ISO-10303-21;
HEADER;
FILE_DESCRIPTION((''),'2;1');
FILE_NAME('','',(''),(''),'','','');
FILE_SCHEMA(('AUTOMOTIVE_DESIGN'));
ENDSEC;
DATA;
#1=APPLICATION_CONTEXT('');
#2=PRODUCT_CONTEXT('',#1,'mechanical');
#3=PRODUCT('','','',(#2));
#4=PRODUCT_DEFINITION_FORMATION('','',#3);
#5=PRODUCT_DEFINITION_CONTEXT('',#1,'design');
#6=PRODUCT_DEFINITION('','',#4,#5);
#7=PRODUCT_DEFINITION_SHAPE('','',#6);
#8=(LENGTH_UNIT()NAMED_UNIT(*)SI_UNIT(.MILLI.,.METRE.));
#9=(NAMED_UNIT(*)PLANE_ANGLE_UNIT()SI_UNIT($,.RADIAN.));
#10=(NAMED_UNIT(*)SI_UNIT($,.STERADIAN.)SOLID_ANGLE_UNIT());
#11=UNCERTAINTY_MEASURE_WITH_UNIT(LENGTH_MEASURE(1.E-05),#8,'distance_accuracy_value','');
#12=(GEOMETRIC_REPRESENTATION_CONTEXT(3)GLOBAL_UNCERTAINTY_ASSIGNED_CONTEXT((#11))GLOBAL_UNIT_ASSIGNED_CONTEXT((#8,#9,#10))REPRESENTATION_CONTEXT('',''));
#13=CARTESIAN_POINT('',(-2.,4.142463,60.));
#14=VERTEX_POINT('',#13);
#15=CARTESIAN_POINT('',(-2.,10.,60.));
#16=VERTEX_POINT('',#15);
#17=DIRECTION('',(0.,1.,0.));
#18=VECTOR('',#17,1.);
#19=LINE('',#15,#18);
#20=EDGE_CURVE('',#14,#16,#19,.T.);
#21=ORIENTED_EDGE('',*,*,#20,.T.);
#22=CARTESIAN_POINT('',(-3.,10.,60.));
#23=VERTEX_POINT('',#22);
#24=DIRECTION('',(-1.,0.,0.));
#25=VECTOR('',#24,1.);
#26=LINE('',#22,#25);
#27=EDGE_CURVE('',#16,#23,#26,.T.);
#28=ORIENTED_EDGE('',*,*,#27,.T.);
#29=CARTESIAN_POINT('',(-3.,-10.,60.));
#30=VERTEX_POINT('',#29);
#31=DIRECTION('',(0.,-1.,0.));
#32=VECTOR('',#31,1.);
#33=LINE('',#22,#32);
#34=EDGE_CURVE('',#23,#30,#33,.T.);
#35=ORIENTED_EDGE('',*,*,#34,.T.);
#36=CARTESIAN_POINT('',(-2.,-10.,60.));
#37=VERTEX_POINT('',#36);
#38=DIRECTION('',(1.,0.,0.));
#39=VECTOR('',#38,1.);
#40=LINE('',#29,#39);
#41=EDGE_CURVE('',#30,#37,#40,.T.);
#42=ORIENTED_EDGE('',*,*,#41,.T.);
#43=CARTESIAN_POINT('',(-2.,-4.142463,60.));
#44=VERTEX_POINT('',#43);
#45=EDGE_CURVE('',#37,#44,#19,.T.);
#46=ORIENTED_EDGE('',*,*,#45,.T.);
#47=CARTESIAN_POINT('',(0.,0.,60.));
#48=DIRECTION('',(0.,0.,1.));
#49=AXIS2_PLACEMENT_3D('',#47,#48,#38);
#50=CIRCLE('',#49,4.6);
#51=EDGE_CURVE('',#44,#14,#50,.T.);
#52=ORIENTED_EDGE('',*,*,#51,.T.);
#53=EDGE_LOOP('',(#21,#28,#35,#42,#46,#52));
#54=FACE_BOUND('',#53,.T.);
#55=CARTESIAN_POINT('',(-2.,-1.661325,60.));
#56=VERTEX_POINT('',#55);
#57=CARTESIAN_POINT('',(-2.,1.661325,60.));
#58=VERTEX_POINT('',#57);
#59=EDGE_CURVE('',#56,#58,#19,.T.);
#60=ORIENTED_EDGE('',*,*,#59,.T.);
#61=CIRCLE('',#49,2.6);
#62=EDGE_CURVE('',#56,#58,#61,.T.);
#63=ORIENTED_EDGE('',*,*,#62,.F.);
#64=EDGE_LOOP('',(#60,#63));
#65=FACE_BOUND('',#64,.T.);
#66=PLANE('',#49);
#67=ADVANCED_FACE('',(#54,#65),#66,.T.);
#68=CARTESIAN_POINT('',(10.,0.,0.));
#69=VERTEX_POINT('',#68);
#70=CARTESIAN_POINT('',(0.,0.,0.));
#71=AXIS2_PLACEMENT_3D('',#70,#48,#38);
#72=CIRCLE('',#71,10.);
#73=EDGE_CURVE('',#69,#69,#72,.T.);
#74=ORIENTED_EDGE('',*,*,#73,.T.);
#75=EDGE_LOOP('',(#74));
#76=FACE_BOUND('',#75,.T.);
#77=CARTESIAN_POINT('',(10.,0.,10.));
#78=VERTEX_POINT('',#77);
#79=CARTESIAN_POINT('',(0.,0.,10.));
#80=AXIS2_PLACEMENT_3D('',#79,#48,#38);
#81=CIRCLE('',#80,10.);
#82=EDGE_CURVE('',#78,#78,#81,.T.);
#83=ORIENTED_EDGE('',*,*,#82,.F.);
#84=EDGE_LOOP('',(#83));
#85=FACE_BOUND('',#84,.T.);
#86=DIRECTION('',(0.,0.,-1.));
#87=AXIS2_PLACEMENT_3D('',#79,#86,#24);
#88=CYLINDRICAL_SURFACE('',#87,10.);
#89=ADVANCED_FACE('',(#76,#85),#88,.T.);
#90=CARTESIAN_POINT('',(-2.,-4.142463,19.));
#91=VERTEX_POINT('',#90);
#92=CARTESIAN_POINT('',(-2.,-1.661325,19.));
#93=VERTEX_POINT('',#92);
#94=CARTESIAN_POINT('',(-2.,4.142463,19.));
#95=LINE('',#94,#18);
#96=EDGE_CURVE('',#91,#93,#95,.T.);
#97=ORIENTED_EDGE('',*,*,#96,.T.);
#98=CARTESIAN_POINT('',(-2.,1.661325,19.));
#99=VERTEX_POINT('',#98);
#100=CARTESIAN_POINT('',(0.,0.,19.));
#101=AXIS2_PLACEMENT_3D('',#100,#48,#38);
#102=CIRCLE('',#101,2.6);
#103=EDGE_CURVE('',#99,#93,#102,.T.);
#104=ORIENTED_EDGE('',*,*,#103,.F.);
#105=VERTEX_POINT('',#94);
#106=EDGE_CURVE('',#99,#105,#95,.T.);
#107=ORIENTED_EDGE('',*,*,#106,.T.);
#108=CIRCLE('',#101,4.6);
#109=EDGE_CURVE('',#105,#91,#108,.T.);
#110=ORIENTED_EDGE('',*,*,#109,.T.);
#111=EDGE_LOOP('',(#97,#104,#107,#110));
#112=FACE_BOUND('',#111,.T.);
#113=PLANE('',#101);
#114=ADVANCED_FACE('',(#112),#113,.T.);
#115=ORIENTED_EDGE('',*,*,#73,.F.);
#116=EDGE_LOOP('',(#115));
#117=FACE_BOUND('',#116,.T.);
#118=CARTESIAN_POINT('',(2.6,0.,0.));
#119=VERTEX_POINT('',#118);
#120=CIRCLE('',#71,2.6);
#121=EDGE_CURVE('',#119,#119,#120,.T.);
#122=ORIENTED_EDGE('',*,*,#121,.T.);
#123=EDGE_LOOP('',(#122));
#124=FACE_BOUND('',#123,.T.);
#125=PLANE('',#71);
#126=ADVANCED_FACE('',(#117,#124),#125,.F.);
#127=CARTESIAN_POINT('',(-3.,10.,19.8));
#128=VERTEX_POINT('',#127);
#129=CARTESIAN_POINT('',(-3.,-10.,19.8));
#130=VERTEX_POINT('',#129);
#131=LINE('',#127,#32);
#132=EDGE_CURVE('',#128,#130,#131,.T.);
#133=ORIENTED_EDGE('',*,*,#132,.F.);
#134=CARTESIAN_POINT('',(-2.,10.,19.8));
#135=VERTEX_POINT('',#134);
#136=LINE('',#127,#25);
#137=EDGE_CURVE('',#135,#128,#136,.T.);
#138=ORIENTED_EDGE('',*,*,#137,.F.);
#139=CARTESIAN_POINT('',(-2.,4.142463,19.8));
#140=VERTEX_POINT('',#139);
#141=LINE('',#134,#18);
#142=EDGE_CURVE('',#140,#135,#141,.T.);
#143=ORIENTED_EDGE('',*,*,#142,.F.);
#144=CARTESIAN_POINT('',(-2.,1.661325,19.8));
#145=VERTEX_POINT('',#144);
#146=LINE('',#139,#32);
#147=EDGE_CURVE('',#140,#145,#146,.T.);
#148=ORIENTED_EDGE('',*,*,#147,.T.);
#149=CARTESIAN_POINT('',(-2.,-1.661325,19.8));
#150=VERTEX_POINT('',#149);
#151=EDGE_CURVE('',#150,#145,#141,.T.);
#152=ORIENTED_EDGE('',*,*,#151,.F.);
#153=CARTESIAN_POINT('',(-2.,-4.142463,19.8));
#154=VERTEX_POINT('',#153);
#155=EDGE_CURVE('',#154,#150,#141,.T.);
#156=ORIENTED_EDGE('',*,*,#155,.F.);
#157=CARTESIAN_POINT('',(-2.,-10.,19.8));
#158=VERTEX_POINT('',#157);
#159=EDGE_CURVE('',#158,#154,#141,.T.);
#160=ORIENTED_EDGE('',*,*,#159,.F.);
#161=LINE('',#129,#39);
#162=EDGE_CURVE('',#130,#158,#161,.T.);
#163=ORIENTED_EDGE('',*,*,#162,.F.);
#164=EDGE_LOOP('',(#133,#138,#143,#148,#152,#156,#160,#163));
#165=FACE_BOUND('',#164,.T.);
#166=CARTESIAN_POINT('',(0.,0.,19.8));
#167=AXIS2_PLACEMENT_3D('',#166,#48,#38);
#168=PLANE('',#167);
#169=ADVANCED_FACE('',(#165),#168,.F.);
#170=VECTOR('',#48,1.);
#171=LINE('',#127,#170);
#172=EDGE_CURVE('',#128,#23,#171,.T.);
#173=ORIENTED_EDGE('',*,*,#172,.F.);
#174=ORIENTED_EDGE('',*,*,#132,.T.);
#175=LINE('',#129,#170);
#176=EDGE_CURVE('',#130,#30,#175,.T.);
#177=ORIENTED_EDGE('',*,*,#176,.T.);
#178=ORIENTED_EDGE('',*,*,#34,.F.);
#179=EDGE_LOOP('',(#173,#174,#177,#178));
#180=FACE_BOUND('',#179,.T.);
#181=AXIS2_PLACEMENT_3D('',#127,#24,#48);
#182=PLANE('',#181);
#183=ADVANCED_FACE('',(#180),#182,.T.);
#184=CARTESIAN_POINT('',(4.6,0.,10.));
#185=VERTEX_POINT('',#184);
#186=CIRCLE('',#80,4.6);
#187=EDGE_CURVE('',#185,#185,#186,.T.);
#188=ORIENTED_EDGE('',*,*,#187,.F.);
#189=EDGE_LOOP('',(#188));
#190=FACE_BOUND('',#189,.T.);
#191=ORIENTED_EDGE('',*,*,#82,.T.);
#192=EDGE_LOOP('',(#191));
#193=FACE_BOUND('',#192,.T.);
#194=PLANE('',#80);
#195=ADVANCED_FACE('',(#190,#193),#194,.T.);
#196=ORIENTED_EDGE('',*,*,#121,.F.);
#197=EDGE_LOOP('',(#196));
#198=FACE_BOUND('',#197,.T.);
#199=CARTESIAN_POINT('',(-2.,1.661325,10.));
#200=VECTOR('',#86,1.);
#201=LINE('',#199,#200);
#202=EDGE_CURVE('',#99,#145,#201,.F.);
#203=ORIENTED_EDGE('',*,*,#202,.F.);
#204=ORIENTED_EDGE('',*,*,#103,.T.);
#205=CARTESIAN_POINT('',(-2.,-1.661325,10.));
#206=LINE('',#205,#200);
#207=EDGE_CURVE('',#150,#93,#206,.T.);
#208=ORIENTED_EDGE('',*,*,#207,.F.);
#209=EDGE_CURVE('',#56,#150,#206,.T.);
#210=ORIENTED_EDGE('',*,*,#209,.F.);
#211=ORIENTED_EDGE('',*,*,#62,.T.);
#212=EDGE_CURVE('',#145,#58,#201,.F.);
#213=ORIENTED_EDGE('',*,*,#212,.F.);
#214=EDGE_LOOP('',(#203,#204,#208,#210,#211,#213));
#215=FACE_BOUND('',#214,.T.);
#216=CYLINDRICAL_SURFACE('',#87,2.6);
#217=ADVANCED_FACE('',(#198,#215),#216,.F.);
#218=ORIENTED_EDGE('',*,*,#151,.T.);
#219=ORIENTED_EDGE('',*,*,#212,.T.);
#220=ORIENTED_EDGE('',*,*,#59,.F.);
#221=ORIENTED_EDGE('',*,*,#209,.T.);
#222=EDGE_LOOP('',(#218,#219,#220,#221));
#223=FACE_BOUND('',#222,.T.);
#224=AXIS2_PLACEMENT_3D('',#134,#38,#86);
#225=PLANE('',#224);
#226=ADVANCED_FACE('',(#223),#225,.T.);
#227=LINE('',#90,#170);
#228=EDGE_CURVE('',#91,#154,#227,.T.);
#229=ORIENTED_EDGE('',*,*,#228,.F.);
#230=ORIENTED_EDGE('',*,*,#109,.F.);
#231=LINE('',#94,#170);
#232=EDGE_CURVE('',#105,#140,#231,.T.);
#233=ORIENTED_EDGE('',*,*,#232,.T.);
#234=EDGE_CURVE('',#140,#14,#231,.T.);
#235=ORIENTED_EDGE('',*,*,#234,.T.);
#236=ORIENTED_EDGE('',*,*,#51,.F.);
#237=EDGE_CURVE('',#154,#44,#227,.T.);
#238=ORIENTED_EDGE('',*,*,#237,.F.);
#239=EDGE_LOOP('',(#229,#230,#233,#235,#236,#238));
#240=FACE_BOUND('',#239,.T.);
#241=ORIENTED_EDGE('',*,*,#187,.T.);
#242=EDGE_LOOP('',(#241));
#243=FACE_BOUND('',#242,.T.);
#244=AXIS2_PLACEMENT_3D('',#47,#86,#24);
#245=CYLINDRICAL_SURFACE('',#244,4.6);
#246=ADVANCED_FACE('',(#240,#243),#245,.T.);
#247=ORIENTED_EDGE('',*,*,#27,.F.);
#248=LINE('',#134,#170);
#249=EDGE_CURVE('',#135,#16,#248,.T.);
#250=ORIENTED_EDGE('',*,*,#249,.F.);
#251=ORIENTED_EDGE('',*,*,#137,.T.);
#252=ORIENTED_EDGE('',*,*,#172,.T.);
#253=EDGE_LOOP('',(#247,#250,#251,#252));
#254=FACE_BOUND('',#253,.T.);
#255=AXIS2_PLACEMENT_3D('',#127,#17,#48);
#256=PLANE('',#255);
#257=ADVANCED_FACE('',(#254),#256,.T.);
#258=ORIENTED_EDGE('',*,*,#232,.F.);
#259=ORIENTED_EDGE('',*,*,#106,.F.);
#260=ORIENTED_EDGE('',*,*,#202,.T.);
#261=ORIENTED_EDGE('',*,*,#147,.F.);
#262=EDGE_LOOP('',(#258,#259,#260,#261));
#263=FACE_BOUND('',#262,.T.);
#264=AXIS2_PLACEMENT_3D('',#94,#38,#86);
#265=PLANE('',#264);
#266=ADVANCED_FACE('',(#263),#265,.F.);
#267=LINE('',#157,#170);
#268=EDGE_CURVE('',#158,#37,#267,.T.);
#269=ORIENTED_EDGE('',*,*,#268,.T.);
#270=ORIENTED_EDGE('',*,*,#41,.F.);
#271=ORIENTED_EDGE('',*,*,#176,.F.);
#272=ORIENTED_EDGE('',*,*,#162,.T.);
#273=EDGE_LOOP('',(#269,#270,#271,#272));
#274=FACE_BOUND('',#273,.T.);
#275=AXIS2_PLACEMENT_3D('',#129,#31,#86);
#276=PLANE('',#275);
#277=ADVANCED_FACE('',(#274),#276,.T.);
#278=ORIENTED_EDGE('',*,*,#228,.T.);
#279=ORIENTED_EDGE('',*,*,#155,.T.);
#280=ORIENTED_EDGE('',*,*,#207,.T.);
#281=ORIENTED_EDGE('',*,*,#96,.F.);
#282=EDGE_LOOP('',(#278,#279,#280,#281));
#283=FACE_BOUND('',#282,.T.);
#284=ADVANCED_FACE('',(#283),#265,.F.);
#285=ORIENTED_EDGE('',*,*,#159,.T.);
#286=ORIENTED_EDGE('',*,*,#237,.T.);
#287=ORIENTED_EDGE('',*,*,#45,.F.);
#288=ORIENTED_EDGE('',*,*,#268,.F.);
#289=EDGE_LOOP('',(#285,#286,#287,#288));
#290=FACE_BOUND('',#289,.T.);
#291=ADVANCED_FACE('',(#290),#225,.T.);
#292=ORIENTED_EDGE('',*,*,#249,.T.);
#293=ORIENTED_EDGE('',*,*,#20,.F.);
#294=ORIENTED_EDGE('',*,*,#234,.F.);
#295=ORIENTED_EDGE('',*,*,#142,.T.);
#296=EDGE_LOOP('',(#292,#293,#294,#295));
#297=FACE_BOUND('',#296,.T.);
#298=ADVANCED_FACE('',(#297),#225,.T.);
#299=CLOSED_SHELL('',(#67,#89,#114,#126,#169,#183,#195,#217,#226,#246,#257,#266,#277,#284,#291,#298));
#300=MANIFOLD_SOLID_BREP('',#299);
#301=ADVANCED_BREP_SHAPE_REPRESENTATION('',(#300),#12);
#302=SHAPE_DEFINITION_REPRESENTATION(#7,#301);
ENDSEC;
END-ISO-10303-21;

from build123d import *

# Parameters (mm, degrees)
SKETCH_1_R          = 10
SKETCH_1_R_2        = 2.6
EXTRUDE_1_DEPTH     = 10
SKETCH_2_R          = 4.6
SKETCH_2_R_2        = 2.6
EXTRUDE_2_DEPTH     = 50
CUT_EXTRUDE_1_DEPTH = 41
SKETCH_5_W          = 1
SKETCH_5_H          = 20
EXTRUDE_3_DEPTH     = 40.2


with BuildPart() as part:
    # 草图1 → 凸台-拉伸1 (new body)
    with BuildSketch(Plane.XY):
        Circle(SKETCH_1_R)
        Circle(SKETCH_1_R_2, mode=Mode.SUBTRACT)
    extrude(amount=EXTRUDE_1_DEPTH)

    # 草图2 → 凸台-拉伸2 (add)
    with BuildSketch(Plane.XY.offset(10)):
        Circle(SKETCH_2_R)
        Circle(SKETCH_2_R_2, mode=Mode.SUBTRACT)
    extrude(amount=EXTRUDE_2_DEPTH)

    # 草图3 → 切除-拉伸1 (cut)
    with BuildSketch(Plane.XY.offset(60)):
        with BuildLine():
            Line((-2, 4.142463035), (-2, -4.142463035))
            ThreePointArc((-2, -4.142463035), (-4.6, 0), (-2, 4.142463035))
        make_face()
    extrude(amount=-CUT_EXTRUDE_1_DEPTH, mode=Mode.SUBTRACT)

    # 草图5 → 凸台-拉伸3 (add)
    with BuildSketch(Plane.XY.offset(60)):
        with Locations((-2.5, 0)):
            Rectangle(SKETCH_5_W, SKETCH_5_H)
    extrude(amount=-EXTRUDE_3_DEPTH)


solid = part.part
